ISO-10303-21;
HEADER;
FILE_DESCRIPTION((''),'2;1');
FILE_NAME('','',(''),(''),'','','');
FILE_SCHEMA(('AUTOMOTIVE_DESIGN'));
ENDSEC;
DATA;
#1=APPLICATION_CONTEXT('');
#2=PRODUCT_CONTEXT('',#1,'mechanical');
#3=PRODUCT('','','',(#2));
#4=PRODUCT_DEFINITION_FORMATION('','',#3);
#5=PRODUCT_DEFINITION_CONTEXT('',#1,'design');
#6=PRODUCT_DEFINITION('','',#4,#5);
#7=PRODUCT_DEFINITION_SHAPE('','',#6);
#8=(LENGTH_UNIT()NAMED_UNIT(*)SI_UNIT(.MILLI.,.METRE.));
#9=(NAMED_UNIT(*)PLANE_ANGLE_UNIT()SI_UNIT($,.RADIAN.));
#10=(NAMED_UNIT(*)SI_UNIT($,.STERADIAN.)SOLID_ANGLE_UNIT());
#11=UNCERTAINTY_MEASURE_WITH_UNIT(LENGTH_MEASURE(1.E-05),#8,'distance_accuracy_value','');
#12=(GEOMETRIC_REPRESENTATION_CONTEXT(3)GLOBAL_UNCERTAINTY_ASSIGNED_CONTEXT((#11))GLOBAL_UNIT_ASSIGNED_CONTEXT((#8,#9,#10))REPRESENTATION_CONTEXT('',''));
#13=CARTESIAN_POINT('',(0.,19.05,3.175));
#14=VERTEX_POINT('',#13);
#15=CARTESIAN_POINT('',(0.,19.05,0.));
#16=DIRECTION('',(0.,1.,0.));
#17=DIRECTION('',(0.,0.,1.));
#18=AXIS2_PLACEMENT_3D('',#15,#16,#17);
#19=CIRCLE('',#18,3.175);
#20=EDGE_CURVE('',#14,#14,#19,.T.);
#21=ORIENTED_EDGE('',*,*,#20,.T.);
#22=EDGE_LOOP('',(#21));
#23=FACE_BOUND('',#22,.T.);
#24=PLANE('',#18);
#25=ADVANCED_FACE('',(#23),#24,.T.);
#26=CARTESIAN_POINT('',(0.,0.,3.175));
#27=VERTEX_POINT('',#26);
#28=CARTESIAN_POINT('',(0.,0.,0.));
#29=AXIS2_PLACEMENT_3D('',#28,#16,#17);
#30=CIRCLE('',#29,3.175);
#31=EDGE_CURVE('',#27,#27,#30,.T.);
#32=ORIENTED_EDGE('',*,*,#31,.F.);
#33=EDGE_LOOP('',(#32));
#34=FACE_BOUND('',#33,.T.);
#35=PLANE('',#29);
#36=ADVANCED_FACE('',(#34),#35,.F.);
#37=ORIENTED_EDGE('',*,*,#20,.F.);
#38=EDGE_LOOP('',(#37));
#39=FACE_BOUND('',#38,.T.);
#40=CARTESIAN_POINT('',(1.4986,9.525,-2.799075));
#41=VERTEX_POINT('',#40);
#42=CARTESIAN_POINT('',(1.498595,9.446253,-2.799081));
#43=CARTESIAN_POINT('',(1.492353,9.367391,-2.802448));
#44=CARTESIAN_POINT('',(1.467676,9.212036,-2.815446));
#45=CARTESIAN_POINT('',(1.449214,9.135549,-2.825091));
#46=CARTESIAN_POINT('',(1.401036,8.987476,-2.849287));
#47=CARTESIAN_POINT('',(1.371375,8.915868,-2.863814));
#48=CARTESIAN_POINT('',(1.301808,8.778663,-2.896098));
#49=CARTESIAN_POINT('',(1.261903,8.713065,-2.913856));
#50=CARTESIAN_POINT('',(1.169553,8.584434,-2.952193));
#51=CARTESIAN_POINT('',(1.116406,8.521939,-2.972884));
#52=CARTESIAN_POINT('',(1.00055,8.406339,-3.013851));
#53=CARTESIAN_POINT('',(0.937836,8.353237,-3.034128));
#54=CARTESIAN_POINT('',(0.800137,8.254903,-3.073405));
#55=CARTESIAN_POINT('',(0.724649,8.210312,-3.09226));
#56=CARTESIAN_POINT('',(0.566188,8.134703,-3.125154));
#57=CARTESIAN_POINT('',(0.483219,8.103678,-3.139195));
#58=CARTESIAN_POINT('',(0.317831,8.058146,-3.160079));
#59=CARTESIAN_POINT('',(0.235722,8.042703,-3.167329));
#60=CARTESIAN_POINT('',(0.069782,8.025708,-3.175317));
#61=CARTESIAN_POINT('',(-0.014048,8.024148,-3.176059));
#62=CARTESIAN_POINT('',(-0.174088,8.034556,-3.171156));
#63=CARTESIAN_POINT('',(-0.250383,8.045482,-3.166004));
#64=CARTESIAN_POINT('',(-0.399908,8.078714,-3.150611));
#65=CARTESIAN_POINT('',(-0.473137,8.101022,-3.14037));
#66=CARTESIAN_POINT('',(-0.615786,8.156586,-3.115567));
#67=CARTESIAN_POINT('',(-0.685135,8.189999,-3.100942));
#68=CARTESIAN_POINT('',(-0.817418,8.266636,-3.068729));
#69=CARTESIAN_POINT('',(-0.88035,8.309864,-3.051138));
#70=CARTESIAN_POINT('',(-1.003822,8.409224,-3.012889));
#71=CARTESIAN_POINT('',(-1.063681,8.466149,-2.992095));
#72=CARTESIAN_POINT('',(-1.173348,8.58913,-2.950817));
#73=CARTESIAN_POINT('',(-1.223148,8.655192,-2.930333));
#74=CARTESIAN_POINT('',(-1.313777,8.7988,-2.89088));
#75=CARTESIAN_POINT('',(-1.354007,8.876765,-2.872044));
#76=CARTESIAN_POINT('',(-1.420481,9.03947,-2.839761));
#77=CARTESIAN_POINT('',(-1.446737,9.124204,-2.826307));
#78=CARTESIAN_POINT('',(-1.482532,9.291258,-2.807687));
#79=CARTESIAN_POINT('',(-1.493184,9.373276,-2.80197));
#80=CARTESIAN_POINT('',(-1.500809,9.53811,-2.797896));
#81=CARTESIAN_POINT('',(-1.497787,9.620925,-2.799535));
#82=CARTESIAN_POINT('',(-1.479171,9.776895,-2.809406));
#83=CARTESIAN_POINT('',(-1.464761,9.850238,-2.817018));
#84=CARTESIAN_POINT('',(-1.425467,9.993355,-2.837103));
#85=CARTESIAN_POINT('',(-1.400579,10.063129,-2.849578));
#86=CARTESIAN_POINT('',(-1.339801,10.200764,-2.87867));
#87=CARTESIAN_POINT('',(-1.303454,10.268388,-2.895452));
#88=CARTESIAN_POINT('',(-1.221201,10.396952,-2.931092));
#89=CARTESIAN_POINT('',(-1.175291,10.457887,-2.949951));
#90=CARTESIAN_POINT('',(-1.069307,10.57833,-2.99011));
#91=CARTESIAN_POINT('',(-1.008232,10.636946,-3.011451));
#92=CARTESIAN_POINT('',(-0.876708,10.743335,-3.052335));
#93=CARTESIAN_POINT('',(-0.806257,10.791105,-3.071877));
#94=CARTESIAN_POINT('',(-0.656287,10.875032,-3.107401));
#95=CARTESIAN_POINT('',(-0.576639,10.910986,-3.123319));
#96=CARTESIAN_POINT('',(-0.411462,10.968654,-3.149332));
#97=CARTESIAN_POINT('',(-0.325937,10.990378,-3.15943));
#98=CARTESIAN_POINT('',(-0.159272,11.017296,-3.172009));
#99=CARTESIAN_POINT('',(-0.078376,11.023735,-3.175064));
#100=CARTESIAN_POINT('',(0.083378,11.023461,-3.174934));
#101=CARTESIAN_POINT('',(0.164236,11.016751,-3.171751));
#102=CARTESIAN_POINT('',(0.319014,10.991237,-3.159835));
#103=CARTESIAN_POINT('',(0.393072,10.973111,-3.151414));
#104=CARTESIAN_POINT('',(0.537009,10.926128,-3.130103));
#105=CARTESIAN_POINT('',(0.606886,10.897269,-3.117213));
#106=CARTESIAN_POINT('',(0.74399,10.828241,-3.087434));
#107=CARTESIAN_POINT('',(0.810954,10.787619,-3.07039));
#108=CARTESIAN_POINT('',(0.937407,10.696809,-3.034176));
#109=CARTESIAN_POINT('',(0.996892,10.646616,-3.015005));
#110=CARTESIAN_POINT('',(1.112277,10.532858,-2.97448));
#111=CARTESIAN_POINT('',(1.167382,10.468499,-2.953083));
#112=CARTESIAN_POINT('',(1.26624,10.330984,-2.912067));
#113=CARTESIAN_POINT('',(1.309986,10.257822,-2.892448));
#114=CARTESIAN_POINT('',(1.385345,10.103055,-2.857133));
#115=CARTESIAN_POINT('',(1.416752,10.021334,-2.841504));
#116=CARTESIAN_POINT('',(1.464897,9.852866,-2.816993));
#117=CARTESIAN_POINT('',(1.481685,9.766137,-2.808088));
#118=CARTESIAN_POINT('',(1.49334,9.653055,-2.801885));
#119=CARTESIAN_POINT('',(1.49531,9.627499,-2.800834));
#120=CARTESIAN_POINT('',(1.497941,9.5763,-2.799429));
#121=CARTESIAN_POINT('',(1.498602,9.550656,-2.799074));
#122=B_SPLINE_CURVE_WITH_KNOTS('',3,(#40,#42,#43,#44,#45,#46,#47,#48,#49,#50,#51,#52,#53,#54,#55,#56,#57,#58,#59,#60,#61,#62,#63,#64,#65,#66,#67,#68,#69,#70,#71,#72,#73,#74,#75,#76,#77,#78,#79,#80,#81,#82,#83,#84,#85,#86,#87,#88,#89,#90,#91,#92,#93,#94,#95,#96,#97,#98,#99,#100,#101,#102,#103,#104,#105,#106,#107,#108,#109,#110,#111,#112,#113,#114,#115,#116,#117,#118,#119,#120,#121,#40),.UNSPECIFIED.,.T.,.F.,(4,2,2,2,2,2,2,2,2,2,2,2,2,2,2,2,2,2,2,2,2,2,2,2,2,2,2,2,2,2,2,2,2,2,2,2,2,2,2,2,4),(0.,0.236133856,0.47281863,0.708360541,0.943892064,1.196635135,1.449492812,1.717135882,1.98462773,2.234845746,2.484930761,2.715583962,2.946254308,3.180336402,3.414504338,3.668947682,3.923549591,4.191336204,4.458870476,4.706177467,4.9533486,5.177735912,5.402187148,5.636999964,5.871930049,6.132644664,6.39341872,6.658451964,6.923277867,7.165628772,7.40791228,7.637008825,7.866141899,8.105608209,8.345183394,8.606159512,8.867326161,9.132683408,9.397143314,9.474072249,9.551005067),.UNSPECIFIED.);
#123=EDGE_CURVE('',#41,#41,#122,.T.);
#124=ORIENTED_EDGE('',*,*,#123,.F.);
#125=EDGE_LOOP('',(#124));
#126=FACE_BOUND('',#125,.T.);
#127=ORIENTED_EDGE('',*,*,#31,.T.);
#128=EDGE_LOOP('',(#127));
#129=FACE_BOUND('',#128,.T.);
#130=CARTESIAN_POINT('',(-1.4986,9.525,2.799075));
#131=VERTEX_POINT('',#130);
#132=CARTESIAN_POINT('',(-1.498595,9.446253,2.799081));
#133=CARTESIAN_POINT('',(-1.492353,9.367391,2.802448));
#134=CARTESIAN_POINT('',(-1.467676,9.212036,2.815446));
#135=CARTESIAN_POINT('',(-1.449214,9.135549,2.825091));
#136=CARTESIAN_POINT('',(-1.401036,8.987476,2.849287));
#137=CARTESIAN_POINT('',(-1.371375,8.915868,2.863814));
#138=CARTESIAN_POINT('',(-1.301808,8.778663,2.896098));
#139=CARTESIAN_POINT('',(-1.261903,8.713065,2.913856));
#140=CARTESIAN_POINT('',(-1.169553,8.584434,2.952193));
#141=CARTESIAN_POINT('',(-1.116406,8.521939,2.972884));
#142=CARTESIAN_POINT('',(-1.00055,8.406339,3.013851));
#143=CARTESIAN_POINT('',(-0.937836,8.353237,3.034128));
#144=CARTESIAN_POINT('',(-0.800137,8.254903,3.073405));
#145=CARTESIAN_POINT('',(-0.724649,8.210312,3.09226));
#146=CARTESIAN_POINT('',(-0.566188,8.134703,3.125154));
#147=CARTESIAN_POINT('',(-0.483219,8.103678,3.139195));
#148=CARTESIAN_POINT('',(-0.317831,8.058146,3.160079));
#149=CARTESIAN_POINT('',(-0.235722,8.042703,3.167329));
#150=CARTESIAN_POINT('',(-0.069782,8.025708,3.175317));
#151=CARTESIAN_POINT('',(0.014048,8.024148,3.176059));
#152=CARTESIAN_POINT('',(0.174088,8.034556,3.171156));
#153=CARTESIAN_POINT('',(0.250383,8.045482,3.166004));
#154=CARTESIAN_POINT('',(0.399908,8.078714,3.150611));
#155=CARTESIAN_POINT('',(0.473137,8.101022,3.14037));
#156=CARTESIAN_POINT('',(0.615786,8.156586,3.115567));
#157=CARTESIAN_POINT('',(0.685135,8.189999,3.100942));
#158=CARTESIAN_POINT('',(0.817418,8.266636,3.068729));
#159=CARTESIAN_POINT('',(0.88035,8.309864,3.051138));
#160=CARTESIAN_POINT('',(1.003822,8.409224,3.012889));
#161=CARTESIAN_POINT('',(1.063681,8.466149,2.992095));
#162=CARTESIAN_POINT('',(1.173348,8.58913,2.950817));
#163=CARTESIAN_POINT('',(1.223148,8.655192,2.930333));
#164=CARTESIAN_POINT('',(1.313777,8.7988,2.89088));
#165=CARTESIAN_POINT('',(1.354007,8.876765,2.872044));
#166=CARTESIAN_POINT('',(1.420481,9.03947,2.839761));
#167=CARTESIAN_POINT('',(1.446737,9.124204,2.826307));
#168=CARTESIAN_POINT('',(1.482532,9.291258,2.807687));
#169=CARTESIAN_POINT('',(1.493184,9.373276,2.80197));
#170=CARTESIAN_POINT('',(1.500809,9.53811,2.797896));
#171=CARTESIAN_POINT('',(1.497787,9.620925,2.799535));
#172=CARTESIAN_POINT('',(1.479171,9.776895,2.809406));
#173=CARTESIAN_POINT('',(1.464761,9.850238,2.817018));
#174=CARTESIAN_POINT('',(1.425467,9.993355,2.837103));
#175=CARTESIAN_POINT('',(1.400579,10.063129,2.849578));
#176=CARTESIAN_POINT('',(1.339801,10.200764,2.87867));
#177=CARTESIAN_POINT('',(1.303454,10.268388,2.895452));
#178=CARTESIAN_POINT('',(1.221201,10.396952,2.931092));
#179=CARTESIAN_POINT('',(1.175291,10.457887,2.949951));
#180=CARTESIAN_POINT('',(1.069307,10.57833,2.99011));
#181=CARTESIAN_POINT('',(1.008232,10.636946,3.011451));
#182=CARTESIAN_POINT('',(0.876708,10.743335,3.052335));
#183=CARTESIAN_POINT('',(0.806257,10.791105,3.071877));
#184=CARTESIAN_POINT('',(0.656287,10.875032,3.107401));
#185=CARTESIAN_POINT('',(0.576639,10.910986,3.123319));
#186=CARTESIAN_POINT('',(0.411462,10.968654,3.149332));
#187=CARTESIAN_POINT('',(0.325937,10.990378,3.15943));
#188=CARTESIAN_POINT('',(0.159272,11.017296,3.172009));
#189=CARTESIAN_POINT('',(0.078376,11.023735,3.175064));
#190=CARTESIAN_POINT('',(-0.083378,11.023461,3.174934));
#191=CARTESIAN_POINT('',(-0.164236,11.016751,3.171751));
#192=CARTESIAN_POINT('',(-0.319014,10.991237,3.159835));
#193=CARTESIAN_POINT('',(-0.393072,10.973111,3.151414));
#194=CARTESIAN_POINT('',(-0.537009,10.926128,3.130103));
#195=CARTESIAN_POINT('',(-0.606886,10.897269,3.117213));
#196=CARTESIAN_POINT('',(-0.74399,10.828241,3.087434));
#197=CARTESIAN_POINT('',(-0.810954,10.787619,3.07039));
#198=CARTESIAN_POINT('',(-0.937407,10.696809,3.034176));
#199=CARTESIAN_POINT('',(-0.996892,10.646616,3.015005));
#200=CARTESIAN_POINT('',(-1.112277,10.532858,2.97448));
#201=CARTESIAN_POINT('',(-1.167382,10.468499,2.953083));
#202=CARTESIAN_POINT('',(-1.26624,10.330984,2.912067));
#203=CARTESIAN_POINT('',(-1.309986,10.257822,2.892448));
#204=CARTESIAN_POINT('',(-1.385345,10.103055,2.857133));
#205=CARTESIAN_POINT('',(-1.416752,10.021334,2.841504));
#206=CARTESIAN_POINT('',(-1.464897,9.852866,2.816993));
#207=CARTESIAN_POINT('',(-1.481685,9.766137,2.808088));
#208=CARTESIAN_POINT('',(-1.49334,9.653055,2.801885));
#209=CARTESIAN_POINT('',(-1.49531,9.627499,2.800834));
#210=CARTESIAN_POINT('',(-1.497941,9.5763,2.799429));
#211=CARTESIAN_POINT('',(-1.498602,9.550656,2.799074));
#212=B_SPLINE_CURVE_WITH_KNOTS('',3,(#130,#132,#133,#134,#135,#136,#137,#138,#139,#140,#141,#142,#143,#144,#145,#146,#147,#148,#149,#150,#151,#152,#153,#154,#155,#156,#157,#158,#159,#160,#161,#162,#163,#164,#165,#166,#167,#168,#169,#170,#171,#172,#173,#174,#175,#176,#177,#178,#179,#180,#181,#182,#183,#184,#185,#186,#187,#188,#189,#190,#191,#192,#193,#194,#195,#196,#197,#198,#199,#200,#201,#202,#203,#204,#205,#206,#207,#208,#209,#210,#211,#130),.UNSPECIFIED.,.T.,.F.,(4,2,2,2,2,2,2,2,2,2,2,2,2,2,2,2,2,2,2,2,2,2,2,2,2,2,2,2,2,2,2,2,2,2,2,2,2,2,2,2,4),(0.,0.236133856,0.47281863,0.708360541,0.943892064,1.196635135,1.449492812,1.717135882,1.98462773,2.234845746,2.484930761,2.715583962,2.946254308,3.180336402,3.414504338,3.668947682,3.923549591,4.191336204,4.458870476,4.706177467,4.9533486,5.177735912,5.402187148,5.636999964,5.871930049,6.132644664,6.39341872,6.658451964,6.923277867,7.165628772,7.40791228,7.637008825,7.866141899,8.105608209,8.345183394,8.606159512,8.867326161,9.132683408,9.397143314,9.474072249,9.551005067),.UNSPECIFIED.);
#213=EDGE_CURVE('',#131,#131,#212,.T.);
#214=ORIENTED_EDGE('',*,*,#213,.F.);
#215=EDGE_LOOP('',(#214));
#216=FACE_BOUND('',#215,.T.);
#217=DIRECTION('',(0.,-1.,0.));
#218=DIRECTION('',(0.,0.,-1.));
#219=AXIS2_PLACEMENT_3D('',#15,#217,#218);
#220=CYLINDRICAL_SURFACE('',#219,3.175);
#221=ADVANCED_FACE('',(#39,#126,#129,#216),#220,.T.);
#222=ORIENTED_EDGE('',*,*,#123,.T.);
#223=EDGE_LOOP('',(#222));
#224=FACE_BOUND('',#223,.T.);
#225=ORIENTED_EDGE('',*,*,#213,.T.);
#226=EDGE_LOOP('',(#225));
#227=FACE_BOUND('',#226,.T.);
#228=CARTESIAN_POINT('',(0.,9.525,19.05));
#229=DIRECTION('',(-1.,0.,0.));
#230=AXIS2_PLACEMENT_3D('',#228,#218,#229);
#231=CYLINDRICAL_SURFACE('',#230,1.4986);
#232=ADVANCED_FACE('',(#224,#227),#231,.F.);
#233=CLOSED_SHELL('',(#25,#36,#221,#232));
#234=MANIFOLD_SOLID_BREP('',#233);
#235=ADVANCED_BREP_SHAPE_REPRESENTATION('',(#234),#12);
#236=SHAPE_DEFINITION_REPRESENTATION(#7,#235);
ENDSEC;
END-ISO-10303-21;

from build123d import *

# Parameters (mm, degrees)
SKETCH1_R                      = 3.175
BOSS_EXTRUDE1_DEPTH            = 19.05
CUT_EXTRUDE1_REACH             = 21.572
CUT_EXTRUDE1_END_RADIUS        = 3.175
SKETCH2_R                      = 1.4986
CUT_EXTRUDE1_DIRECTION_2_DEPTH = 19.05


with BuildPart() as part:
    # Sketch1 → Boss-Extrude1 (new body)
    with BuildSketch(Plane(origin=(0, 0, 0), x_dir=(1, 0, 0), z_dir=(0, 1, 0))):
        Circle(SKETCH1_R)
    extrude(amount=BOSS_EXTRUDE1_DEPTH)

    # Cut-Extrude1: up to this cylinder (the profile starts inside it)
    cut_extrude1_end = Plane(origin=(0, 9.525, 0), z_dir=(0, -1, 0)) * Cylinder(CUT_EXTRUDE1_END_RADIUS, 50.494, mode=Mode.PRIVATE)
    # Sketch2 → Cut-Extrude1 (cut, up to the surface)
    with BuildSketch(Plane.XY, mode=Mode.PRIVATE) as cut_extrude1_sk1:
        with Locations((0, 9.525)):
            Circle(SKETCH2_R)
    cut_extrude1_tool1 = extrude(cut_extrude1_sk1.sketch, amount=-CUT_EXTRUDE1_REACH, mode=Mode.PRIVATE) & cut_extrude1_end
    add(cut_extrude1_tool1.solids().sort_by_distance((0, 9.525, 0))[0], mode=Mode.SUBTRACT)

    # Sketch2 → Cut-Extrude1 direction 2 (cut)
    with BuildSketch(Plane.XY):
        with Locations((0, 9.525)):
            Circle(SKETCH2_R)
    extrude(amount=CUT_EXTRUDE1_DIRECTION_2_DEPTH, mode=Mode.SUBTRACT)


solid = part.part
